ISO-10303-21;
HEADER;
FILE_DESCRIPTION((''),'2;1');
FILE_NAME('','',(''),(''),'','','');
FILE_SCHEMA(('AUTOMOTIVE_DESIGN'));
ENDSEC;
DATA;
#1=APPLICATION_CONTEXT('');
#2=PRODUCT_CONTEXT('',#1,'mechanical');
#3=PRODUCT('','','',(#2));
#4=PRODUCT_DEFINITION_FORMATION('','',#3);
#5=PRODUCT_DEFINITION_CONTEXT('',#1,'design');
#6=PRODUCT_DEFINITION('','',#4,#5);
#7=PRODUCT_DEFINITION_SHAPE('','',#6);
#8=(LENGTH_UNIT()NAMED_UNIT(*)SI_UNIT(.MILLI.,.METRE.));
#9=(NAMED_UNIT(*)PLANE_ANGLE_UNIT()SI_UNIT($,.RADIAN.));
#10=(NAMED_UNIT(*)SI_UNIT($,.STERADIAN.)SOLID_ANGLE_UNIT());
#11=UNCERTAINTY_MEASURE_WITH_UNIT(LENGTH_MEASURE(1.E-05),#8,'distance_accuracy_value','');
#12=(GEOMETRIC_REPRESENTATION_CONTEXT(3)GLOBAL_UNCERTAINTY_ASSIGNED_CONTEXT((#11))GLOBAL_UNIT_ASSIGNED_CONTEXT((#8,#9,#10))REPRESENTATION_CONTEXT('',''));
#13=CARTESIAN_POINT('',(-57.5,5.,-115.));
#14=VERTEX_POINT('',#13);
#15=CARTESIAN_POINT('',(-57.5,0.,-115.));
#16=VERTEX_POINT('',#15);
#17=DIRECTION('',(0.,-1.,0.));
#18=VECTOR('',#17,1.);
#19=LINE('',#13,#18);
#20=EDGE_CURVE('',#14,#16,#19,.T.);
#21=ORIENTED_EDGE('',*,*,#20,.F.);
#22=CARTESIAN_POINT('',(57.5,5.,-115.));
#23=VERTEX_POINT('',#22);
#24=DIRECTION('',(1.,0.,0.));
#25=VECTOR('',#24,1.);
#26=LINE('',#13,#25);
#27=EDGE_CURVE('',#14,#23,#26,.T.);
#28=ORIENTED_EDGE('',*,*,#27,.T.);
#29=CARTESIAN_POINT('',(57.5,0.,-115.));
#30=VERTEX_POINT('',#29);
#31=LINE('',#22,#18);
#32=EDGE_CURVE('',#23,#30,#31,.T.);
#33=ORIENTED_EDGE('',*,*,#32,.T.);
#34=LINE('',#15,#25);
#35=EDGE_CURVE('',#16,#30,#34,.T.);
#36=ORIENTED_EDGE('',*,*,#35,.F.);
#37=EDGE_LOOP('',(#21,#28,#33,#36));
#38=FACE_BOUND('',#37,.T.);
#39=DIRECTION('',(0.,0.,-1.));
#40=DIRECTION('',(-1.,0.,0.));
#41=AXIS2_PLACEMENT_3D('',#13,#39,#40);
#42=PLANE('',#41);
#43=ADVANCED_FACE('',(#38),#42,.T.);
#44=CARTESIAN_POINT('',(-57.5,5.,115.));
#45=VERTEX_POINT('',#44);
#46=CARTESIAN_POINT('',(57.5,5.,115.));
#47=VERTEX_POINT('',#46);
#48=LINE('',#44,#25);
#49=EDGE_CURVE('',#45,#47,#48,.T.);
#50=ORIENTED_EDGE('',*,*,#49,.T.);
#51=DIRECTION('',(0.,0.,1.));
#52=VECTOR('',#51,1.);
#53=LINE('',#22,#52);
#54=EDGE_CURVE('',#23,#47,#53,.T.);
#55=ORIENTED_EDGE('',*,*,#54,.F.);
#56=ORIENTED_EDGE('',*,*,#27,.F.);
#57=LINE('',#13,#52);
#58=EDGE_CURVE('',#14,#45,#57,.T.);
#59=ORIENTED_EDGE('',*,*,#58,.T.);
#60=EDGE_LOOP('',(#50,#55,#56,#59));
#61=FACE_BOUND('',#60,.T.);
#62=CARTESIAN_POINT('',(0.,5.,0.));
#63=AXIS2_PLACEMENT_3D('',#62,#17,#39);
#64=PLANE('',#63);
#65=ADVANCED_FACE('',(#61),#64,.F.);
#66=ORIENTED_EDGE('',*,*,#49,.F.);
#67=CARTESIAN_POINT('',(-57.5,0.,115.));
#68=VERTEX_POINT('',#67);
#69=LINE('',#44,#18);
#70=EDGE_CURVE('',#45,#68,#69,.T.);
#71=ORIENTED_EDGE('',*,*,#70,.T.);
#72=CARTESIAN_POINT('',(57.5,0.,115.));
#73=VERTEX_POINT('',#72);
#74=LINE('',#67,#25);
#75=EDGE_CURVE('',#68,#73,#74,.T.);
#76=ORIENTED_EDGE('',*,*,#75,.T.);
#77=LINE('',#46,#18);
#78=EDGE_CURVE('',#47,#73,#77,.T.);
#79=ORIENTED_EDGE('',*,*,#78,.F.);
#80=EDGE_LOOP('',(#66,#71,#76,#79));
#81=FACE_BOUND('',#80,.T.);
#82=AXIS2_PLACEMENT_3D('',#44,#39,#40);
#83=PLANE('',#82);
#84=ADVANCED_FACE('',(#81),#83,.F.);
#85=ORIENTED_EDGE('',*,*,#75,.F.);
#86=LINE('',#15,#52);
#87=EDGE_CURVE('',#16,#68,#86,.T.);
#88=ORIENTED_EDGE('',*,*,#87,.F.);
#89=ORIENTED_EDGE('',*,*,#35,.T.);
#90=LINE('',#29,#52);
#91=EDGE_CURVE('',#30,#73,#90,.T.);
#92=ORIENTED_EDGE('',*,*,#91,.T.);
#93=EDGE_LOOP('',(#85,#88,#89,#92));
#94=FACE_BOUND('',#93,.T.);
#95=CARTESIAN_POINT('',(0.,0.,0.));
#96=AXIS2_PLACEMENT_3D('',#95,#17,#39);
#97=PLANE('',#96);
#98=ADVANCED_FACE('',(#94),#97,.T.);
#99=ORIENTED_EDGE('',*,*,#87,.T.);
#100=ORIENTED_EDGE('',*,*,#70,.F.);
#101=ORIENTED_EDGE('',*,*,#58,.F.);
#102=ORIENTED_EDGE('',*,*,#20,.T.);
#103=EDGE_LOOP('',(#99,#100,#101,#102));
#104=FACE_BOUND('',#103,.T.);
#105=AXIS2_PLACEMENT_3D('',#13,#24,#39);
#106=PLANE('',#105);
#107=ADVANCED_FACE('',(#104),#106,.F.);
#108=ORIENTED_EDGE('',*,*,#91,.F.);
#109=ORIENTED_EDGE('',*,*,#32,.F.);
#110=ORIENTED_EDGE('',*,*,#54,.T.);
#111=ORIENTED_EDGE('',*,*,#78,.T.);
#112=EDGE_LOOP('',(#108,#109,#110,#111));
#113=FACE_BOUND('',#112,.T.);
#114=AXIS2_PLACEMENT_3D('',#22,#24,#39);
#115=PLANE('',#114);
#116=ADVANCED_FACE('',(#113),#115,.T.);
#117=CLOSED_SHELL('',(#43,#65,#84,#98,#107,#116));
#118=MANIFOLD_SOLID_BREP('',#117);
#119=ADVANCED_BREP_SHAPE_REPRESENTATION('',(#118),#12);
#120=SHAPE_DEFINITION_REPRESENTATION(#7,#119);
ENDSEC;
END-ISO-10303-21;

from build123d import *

# Parameters (mm, degrees)
SKETCH1_W           = 115
SKETCH1_H           = 230
BOSS_EXTRUDE1_DEPTH = 5


with BuildPart() as part:
    # Sketch1 → Boss-Extrude1 (new body)
    with BuildSketch(Plane(origin=(0, 0, 0), x_dir=(1, 0, 0), z_dir=(0, 1, 0))):
        Rectangle(SKETCH1_W, SKETCH1_H)
    extrude(amount=BOSS_EXTRUDE1_DEPTH)


solid = part.part
